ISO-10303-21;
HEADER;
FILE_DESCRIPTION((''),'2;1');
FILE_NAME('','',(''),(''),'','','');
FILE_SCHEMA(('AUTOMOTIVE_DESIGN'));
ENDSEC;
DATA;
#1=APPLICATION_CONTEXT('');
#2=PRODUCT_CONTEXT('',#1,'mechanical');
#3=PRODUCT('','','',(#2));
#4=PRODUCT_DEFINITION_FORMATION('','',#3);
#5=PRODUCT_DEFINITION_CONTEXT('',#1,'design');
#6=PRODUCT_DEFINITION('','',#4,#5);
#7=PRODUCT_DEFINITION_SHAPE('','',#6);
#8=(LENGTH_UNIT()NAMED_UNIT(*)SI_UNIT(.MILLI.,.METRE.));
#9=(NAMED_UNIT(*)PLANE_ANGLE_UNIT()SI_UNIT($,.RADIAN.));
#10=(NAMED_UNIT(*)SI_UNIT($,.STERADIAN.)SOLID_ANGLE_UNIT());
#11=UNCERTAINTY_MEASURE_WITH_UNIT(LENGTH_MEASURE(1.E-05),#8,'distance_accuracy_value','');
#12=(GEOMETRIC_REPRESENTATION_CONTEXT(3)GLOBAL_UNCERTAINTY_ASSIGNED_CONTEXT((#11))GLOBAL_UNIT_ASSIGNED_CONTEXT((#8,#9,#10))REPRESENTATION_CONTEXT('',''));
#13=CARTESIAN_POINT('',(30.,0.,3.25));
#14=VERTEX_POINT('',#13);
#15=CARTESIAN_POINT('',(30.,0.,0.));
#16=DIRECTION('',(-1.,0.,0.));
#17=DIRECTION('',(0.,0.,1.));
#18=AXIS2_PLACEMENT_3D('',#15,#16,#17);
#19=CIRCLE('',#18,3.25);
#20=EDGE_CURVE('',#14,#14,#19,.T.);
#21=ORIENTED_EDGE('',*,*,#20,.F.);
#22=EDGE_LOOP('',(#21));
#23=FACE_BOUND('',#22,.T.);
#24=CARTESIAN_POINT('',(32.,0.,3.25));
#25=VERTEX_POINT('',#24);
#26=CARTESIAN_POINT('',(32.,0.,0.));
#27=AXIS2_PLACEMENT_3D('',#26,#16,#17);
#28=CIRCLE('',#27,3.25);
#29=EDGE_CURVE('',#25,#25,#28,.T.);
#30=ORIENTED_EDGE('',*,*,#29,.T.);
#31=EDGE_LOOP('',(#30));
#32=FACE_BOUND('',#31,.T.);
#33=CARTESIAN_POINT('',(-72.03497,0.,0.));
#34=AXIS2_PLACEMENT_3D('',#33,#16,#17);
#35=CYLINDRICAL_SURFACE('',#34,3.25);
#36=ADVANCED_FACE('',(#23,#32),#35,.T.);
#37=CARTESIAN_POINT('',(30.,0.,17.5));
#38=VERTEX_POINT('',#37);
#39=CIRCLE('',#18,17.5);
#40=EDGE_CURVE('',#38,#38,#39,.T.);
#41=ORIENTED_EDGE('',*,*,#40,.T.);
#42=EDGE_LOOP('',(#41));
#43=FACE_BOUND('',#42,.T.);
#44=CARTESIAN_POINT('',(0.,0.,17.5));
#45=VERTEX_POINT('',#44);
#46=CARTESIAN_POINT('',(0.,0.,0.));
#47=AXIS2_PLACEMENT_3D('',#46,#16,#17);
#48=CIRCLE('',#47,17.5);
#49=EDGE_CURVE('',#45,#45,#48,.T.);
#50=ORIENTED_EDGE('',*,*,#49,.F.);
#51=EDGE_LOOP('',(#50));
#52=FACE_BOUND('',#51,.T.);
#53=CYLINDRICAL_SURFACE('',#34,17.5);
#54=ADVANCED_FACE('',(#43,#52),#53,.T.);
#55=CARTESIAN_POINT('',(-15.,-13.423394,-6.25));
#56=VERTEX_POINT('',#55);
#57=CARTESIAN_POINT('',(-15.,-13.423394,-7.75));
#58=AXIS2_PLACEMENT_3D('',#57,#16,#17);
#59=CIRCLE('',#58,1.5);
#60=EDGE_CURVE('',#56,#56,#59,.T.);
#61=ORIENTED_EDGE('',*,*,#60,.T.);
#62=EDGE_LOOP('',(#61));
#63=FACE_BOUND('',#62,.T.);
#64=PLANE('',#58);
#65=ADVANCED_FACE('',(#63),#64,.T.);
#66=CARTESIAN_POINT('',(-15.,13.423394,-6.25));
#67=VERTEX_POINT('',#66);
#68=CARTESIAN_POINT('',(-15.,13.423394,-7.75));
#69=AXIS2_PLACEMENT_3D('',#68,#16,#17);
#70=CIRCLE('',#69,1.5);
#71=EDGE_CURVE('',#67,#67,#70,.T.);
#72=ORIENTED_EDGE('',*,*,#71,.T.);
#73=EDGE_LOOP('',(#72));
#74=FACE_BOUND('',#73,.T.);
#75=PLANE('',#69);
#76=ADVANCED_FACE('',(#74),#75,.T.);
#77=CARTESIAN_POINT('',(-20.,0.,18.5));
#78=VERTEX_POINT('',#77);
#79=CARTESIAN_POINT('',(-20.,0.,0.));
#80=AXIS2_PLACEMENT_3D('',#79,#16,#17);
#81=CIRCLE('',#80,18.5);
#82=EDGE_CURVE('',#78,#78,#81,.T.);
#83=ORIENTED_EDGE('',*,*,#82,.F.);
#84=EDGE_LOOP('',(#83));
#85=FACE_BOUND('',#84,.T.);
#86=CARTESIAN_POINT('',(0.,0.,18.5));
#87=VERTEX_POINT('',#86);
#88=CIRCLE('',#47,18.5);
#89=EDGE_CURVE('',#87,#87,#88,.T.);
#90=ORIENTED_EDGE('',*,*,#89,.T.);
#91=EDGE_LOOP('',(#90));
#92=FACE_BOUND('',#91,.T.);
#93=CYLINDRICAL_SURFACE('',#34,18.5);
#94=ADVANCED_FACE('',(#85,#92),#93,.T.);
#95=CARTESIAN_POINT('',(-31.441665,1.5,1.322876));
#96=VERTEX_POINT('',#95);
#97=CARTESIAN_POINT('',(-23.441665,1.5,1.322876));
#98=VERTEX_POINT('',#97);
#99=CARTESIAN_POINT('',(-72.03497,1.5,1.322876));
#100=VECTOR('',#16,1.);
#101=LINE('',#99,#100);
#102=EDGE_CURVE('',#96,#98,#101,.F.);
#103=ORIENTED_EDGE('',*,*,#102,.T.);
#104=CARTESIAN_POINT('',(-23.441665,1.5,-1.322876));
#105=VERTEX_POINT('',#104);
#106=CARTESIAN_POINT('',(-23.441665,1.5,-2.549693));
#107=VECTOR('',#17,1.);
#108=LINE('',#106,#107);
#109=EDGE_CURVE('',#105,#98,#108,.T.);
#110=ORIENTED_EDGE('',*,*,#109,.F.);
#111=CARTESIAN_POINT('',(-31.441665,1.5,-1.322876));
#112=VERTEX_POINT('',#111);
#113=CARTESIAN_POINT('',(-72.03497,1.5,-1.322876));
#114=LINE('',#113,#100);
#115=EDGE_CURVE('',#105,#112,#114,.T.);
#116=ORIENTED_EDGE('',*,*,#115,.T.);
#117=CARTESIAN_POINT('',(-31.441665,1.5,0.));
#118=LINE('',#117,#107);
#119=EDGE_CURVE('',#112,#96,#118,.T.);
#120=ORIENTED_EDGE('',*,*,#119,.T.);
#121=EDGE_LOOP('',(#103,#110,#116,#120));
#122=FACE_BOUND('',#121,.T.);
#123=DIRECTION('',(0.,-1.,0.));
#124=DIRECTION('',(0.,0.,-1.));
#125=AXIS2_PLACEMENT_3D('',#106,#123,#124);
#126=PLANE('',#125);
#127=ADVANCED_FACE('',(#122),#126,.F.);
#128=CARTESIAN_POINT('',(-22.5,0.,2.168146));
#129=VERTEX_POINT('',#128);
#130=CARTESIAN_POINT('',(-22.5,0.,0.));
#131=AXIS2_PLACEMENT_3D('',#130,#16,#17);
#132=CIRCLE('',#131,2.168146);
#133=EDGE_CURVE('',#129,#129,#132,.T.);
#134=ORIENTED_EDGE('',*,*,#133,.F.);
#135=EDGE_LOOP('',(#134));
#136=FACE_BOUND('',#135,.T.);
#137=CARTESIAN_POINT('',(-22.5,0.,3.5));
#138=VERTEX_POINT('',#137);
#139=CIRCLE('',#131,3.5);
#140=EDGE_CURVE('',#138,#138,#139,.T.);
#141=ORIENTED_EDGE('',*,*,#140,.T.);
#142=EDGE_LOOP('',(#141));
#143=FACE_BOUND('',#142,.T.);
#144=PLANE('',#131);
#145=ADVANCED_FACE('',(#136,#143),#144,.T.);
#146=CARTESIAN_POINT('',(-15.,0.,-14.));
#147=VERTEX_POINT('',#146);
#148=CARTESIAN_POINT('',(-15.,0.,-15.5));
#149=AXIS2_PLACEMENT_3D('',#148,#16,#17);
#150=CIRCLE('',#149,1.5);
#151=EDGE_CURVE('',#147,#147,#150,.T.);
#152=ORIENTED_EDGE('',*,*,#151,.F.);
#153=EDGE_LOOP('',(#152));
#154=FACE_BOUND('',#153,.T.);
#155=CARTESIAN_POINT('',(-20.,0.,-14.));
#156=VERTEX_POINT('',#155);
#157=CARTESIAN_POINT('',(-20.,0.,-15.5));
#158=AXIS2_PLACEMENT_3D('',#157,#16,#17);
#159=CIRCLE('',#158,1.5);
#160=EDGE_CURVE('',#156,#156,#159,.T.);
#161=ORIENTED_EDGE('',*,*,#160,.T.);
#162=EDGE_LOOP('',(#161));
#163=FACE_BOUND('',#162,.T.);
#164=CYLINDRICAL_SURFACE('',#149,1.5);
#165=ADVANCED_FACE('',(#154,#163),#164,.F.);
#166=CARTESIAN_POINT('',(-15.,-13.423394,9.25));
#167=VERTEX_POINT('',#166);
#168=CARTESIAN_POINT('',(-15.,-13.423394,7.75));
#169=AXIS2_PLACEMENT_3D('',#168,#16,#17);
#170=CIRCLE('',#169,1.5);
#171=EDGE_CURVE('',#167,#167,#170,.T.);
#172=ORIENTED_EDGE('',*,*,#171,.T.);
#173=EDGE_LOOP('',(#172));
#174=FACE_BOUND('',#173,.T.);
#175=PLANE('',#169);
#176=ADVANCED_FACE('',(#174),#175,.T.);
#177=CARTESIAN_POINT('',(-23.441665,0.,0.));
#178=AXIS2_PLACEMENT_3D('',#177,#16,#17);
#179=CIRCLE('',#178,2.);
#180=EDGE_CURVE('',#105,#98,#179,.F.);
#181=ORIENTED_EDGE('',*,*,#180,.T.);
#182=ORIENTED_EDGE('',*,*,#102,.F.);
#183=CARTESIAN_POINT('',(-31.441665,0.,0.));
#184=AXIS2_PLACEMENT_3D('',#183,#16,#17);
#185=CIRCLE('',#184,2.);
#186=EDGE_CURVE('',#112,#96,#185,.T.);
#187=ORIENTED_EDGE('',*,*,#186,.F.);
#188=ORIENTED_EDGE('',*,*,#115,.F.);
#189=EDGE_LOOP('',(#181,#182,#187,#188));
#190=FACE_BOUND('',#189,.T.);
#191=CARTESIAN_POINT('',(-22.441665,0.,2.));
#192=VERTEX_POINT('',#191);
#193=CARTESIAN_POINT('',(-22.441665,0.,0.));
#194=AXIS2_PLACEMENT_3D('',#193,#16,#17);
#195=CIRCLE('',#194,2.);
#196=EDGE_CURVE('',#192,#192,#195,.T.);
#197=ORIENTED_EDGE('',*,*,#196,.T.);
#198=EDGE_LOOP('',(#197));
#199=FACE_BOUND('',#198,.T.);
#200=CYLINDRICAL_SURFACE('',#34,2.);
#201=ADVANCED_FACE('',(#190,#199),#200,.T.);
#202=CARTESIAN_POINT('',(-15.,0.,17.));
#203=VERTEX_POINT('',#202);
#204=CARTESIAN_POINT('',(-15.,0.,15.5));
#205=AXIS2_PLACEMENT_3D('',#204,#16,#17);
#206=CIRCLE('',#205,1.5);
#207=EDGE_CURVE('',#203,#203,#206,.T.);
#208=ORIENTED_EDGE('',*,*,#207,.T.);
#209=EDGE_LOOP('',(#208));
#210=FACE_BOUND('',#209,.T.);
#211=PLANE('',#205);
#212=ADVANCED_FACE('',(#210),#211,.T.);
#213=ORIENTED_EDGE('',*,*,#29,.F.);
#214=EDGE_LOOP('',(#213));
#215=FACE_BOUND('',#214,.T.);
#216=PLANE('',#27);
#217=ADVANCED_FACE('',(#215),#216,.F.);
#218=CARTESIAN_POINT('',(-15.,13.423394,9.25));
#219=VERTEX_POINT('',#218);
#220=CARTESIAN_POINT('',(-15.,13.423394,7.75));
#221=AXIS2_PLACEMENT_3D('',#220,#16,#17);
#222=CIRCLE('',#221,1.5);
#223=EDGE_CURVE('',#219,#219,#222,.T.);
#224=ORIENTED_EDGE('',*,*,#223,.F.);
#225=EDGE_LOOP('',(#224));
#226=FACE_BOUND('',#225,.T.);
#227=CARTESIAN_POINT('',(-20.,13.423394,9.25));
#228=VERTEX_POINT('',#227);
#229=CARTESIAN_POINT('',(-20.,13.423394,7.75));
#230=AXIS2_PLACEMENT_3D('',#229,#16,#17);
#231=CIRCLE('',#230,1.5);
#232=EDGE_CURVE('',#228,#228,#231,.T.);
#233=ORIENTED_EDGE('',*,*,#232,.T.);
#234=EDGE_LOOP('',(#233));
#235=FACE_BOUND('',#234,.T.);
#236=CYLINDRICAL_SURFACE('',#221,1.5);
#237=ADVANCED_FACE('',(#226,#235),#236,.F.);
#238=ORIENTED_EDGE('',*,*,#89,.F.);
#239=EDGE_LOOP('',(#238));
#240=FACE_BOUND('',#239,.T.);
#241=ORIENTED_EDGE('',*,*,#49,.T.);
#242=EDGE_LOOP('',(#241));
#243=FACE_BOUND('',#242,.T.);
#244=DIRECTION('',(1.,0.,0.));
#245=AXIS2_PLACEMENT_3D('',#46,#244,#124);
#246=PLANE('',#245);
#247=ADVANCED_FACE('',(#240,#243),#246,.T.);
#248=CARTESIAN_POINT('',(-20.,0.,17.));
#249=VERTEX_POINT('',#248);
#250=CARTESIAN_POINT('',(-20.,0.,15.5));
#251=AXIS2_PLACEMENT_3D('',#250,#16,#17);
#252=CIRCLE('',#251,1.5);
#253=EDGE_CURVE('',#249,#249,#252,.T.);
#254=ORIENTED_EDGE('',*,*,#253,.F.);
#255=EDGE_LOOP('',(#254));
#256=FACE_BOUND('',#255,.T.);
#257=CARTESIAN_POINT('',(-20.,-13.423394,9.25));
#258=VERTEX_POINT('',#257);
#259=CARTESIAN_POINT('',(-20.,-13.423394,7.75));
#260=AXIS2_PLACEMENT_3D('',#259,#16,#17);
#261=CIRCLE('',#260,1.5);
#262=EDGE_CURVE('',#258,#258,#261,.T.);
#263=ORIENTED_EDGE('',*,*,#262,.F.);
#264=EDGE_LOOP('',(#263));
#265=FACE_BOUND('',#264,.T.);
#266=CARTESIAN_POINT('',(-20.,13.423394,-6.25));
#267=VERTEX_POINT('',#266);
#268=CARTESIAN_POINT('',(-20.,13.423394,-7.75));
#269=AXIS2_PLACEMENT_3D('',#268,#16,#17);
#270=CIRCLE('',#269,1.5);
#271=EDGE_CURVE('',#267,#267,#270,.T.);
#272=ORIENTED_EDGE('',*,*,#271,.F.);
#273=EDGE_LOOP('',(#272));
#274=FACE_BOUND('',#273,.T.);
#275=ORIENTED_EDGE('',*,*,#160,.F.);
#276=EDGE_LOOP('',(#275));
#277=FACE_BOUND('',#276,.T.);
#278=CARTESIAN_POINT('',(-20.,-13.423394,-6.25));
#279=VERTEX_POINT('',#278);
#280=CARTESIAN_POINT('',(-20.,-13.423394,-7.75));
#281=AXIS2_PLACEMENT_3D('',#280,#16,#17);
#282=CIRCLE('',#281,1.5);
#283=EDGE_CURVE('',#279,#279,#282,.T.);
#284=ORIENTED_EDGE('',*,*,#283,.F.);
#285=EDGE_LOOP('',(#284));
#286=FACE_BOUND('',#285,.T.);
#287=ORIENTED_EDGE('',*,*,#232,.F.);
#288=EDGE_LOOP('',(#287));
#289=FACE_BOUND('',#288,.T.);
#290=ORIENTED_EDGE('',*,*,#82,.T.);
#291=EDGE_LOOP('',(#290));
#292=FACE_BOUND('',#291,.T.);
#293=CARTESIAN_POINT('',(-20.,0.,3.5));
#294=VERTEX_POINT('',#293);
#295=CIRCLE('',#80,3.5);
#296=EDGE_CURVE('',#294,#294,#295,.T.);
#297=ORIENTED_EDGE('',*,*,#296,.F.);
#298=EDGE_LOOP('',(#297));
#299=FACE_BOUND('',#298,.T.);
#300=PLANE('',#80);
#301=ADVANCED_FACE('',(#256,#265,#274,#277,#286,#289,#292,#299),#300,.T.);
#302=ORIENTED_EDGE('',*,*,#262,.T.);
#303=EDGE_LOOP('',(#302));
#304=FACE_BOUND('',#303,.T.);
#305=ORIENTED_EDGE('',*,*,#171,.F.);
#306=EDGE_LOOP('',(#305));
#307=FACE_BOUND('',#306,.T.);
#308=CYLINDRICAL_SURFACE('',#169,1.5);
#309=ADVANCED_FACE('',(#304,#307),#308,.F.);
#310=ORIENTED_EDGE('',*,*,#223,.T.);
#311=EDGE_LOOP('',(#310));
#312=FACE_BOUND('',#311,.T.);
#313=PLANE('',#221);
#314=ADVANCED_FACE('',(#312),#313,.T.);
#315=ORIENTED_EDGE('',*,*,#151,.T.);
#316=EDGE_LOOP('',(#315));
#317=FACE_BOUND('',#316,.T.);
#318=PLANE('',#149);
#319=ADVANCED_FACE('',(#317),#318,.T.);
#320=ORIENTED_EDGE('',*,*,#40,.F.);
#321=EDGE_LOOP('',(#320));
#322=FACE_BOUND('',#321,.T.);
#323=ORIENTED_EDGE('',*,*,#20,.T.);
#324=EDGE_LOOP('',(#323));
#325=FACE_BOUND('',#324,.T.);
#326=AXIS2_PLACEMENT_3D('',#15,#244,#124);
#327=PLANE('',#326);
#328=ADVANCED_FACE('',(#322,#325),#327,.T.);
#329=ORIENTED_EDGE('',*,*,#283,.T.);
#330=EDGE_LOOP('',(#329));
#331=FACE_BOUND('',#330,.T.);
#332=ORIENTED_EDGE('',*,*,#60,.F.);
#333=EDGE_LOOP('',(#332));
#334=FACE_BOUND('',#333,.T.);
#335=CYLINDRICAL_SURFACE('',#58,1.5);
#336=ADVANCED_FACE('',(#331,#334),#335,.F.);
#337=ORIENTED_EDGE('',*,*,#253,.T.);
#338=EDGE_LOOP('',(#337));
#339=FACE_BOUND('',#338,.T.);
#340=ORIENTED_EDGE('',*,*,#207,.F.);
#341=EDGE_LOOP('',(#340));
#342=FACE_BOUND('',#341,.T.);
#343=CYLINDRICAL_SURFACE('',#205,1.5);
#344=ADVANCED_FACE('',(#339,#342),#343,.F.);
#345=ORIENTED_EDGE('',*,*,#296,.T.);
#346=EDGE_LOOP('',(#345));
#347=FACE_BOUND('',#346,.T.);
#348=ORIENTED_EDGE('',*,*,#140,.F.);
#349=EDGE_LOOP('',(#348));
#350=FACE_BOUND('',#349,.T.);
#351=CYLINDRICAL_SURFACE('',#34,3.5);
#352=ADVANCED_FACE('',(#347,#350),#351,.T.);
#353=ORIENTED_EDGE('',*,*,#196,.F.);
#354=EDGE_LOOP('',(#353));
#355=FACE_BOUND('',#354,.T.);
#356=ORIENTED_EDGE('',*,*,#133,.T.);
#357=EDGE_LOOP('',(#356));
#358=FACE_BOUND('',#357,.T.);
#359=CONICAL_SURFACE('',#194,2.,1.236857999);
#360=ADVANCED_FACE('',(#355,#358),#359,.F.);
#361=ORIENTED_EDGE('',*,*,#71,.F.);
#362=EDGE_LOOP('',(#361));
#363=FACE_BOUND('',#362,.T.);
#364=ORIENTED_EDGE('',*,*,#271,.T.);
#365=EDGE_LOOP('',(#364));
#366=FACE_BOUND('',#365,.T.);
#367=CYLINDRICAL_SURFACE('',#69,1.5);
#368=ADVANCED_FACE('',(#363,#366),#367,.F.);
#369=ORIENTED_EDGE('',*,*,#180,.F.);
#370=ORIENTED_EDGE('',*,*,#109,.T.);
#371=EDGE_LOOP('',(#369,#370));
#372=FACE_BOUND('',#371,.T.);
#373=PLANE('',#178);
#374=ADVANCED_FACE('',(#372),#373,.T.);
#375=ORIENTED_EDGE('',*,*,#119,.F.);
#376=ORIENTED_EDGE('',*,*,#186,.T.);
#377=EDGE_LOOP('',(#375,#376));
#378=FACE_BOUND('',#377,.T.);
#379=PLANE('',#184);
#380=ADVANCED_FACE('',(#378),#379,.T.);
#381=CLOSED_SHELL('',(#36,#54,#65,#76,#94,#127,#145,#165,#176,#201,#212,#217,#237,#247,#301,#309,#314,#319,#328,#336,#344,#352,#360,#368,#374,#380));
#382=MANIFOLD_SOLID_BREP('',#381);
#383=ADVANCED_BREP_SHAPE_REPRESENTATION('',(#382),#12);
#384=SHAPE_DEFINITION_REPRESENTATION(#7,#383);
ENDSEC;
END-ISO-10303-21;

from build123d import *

# Parameters (mm, degrees)
SKETCH_2_R          = 1.5
CUT_EXTRUDE_1_DEPTH = 5
SKETCH_3_W          = 5.127083255
SKETCH_3_H          = 1.657522806
CUT_EXTRUDE_2_DEPTH = 8


with BuildPart() as part:
    # 草图1 → 旋转1 (revolve)
    with BuildSketch(Plane.XY, mode=Mode.PRIVATE) as revolve_1_sk:
        Polygon((30, 17.5), (30, 12.2), (30, 3.25), (32, 3.25), (32, 0), (30.858335085, 0), (0, 0), (-19.941664915, 0), (-22.441664915, 0), (-31.441664915, 0), (-31.441664915, 2), (-22.441664915, 2), (-22.5, 2.168145965), (-22.5, 3.5), (-20, 3.5), (-20, 18.5), (0, 18.5), (0, 17.5), align=None)
    revolve(revolve_1_sk.sketch.rotate(Axis((-72.034969576, 0, 0), (1, 0, 0)), 90), axis=Axis((-72.034969576, 0, 0), (1, 0, 0)))

    # 草图2 → 切除-拉伸1 (cut)
    with BuildSketch(Plane.ZY.offset(20)):
        with Locations((15.5, 0)):
            Circle(SKETCH_2_R)
        with Locations((7.75, -13.423393759)):
            Circle(SKETCH_2_R)
        with Locations((-7.75, -13.423393759)):
            Circle(SKETCH_2_R)
        with Locations((-15.5, 0)):
            Circle(SKETCH_2_R)
        with Locations((-7.75, 13.423393759)):
            Circle(SKETCH_2_R)
        with Locations((7.75, 13.423393759)):
            Circle(SKETCH_2_R)
    extrude(amount=-CUT_EXTRUDE_1_DEPTH, mode=Mode.SUBTRACT)

    # 草图3 → 切除-拉伸2 (cut)
    with BuildSketch(Plane.ZY.offset(31.441664915)):
        with Locations((0.013848215, 2.328761403)):
            Rectangle(SKETCH_3_W, SKETCH_3_H)
    extrude(amount=-CUT_EXTRUDE_2_DEPTH, mode=Mode.SUBTRACT)


solid = part.part
